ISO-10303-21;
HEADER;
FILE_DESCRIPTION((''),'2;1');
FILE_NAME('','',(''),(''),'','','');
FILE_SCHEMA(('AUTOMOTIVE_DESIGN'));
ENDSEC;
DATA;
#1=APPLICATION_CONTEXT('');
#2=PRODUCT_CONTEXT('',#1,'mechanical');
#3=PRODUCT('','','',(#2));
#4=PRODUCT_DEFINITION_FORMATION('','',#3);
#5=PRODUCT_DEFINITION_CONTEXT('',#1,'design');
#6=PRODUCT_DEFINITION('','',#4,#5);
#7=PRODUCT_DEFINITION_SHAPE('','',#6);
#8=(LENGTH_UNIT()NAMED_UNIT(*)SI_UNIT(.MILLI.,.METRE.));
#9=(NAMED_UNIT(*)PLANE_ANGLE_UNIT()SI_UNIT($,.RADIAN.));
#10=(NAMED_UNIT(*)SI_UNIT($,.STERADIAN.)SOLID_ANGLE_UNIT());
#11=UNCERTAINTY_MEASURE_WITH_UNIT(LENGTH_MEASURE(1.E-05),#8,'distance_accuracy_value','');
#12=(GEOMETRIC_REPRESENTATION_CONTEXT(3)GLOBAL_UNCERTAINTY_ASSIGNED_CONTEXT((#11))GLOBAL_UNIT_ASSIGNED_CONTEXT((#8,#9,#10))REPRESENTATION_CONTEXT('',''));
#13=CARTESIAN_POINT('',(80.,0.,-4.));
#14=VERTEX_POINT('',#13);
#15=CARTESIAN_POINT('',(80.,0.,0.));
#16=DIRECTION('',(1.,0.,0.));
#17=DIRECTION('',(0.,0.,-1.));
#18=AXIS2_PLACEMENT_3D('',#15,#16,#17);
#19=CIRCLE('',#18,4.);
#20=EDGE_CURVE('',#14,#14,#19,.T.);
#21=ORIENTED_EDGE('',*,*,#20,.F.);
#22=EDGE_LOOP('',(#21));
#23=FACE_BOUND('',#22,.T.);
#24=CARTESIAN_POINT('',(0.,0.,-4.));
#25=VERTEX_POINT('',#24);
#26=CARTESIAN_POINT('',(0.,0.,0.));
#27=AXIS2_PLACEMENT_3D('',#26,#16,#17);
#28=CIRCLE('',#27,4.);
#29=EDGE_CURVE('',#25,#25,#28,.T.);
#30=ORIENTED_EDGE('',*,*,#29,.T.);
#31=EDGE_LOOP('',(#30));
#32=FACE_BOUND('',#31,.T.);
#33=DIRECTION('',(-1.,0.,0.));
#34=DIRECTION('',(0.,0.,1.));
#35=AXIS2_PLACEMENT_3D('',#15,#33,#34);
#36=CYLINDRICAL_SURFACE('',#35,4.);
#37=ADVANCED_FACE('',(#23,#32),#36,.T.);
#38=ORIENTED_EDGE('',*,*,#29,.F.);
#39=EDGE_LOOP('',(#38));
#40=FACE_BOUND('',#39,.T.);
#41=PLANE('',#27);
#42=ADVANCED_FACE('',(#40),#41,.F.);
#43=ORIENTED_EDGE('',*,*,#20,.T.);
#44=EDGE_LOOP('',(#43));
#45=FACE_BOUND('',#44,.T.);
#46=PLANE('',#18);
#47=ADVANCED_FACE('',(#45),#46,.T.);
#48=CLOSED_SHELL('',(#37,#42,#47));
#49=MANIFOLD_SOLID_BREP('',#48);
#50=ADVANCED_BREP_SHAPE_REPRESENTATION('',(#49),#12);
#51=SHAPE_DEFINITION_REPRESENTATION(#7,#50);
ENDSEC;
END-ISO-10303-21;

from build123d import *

# Parameters (mm, degrees)
SKETCH_1_R      = 4
EXTRUDE_1_DEPTH = 80


with BuildPart() as part:
    # 草图1 → 凸台-拉伸1 (new body)
    with BuildSketch(Plane(origin=(0, 0, 0), x_dir=(0, 0, -1), z_dir=(1, 0, 0))):
        Circle(SKETCH_1_R)
    extrude(amount=EXTRUDE_1_DEPTH)


solid = part.part
